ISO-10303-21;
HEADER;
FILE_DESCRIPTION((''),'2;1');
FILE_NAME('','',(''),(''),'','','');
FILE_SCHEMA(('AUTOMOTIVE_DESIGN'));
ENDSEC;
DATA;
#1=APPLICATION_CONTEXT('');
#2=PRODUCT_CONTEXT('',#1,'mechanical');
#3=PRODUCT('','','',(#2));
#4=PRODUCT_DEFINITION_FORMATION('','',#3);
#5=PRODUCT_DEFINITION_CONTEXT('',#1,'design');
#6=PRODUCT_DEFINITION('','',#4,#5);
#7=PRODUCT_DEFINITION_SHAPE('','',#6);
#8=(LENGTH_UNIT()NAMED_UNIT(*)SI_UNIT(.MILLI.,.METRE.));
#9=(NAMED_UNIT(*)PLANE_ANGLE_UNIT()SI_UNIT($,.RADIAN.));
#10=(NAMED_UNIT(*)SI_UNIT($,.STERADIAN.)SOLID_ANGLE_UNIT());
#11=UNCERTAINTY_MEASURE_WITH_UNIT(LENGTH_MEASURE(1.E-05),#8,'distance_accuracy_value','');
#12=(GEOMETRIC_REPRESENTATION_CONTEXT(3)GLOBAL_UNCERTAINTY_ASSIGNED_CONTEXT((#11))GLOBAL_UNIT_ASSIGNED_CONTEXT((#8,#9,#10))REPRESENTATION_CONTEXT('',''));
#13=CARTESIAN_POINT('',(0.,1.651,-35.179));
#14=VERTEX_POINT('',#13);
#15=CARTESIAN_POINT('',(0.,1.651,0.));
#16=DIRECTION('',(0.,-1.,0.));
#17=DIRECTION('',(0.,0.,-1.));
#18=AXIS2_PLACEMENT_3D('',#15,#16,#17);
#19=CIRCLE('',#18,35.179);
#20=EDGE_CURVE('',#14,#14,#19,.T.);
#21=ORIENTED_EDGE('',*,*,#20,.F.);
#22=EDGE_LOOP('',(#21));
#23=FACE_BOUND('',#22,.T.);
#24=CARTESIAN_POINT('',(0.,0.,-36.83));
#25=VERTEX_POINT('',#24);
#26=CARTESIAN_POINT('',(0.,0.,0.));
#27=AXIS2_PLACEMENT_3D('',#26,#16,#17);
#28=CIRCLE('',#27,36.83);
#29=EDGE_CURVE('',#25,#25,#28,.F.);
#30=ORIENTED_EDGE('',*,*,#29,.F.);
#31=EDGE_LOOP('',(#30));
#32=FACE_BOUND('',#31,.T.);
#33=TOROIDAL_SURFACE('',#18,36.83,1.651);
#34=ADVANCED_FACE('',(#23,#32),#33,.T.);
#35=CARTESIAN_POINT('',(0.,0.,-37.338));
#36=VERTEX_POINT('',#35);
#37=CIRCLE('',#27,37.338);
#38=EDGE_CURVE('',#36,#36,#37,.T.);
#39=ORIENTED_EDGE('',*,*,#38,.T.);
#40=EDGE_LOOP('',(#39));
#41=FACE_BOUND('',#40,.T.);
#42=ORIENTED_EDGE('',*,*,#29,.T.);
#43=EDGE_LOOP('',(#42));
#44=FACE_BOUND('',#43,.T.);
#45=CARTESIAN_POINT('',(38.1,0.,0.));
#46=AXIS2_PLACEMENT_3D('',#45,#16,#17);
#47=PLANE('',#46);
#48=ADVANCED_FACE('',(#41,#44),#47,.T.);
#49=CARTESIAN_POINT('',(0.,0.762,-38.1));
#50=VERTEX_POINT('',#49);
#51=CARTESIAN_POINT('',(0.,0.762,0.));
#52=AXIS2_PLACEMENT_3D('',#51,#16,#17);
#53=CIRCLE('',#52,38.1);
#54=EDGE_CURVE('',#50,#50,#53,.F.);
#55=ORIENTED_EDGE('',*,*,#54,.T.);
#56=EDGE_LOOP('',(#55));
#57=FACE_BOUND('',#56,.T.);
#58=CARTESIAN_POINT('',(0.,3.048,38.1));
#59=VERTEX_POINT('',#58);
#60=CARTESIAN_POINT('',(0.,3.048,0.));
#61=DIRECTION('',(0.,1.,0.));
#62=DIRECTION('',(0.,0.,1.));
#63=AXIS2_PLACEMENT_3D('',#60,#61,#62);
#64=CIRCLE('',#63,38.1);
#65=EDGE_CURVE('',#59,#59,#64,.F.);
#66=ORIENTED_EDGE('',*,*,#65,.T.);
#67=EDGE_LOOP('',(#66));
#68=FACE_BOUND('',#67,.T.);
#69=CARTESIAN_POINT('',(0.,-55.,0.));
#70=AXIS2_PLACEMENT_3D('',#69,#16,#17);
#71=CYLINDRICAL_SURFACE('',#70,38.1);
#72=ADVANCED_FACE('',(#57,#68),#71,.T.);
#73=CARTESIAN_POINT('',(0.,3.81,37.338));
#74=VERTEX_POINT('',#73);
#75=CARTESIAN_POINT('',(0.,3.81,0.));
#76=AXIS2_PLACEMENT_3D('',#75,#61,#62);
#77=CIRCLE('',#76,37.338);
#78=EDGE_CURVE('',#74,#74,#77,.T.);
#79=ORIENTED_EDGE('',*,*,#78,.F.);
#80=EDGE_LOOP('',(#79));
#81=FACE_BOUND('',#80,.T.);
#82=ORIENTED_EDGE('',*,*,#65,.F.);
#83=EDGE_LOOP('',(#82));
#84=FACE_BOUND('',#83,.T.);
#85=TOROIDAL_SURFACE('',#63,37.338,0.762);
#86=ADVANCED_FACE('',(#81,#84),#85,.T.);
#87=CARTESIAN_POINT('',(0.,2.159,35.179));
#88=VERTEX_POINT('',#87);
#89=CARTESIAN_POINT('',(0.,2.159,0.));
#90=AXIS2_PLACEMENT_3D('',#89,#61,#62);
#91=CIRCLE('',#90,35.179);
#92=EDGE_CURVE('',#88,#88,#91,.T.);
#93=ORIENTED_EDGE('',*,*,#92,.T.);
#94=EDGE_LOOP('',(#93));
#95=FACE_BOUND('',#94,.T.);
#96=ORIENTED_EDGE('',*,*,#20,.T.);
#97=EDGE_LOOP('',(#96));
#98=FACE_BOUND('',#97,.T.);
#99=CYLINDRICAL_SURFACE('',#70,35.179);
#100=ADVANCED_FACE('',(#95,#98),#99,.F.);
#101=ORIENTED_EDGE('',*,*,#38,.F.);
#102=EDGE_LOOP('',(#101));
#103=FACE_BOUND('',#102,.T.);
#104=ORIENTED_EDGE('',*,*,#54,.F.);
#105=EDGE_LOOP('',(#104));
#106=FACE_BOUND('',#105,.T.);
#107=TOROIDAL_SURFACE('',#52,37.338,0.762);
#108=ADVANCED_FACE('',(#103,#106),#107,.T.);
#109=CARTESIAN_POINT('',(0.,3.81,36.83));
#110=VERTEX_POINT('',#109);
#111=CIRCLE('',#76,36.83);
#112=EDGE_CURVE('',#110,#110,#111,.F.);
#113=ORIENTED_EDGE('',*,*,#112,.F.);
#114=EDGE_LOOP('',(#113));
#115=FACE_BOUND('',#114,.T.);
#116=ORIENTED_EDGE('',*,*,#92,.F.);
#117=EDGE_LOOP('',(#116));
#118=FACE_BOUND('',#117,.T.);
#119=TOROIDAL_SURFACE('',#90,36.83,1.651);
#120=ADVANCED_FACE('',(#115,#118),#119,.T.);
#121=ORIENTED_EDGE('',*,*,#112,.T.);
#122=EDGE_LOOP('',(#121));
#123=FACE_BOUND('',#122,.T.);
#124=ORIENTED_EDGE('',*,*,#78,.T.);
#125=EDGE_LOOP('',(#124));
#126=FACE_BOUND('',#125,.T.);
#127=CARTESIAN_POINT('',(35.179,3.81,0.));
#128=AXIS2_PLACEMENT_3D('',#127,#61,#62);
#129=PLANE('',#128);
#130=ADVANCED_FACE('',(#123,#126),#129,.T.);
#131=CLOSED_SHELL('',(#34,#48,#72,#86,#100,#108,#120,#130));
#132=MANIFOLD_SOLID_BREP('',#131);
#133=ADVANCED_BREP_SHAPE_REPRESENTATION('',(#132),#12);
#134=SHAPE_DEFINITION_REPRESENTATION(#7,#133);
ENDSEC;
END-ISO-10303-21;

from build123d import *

# Parameters (mm, degrees)
SKETCH2_W = 2.921
SKETCH2_H = 3.81
FILLET1_R = 1.651
FILLET3_R = 0.762


with BuildPart() as part:
    # Sketch2 → Revolve1 (revolve)
    with BuildSketch(Plane.XY):
        with Locations((36.6395, 1.905)):
            Rectangle(SKETCH2_W, SKETCH2_H)
    revolve(axis=Axis((0, -55, 0), (0, 1, 0)))

    # Fillet1
    fillet1_edges = [part.edges().sort_by_distance(p)[0] for p in [
        (-35.179, 3.81, 0),
        (-35.179, 0, 0),
    ]]
    fillet(fillet1_edges, radius=FILLET1_R)

    # Fillet3
    fillet3_edges = [part.edges().sort_by_distance(p)[0] for p in [
        (-38.1, 3.81, 0),
        (-38.1, 0, 0),
    ]]
    fillet(fillet3_edges, radius=FILLET3_R)


solid = part.part
